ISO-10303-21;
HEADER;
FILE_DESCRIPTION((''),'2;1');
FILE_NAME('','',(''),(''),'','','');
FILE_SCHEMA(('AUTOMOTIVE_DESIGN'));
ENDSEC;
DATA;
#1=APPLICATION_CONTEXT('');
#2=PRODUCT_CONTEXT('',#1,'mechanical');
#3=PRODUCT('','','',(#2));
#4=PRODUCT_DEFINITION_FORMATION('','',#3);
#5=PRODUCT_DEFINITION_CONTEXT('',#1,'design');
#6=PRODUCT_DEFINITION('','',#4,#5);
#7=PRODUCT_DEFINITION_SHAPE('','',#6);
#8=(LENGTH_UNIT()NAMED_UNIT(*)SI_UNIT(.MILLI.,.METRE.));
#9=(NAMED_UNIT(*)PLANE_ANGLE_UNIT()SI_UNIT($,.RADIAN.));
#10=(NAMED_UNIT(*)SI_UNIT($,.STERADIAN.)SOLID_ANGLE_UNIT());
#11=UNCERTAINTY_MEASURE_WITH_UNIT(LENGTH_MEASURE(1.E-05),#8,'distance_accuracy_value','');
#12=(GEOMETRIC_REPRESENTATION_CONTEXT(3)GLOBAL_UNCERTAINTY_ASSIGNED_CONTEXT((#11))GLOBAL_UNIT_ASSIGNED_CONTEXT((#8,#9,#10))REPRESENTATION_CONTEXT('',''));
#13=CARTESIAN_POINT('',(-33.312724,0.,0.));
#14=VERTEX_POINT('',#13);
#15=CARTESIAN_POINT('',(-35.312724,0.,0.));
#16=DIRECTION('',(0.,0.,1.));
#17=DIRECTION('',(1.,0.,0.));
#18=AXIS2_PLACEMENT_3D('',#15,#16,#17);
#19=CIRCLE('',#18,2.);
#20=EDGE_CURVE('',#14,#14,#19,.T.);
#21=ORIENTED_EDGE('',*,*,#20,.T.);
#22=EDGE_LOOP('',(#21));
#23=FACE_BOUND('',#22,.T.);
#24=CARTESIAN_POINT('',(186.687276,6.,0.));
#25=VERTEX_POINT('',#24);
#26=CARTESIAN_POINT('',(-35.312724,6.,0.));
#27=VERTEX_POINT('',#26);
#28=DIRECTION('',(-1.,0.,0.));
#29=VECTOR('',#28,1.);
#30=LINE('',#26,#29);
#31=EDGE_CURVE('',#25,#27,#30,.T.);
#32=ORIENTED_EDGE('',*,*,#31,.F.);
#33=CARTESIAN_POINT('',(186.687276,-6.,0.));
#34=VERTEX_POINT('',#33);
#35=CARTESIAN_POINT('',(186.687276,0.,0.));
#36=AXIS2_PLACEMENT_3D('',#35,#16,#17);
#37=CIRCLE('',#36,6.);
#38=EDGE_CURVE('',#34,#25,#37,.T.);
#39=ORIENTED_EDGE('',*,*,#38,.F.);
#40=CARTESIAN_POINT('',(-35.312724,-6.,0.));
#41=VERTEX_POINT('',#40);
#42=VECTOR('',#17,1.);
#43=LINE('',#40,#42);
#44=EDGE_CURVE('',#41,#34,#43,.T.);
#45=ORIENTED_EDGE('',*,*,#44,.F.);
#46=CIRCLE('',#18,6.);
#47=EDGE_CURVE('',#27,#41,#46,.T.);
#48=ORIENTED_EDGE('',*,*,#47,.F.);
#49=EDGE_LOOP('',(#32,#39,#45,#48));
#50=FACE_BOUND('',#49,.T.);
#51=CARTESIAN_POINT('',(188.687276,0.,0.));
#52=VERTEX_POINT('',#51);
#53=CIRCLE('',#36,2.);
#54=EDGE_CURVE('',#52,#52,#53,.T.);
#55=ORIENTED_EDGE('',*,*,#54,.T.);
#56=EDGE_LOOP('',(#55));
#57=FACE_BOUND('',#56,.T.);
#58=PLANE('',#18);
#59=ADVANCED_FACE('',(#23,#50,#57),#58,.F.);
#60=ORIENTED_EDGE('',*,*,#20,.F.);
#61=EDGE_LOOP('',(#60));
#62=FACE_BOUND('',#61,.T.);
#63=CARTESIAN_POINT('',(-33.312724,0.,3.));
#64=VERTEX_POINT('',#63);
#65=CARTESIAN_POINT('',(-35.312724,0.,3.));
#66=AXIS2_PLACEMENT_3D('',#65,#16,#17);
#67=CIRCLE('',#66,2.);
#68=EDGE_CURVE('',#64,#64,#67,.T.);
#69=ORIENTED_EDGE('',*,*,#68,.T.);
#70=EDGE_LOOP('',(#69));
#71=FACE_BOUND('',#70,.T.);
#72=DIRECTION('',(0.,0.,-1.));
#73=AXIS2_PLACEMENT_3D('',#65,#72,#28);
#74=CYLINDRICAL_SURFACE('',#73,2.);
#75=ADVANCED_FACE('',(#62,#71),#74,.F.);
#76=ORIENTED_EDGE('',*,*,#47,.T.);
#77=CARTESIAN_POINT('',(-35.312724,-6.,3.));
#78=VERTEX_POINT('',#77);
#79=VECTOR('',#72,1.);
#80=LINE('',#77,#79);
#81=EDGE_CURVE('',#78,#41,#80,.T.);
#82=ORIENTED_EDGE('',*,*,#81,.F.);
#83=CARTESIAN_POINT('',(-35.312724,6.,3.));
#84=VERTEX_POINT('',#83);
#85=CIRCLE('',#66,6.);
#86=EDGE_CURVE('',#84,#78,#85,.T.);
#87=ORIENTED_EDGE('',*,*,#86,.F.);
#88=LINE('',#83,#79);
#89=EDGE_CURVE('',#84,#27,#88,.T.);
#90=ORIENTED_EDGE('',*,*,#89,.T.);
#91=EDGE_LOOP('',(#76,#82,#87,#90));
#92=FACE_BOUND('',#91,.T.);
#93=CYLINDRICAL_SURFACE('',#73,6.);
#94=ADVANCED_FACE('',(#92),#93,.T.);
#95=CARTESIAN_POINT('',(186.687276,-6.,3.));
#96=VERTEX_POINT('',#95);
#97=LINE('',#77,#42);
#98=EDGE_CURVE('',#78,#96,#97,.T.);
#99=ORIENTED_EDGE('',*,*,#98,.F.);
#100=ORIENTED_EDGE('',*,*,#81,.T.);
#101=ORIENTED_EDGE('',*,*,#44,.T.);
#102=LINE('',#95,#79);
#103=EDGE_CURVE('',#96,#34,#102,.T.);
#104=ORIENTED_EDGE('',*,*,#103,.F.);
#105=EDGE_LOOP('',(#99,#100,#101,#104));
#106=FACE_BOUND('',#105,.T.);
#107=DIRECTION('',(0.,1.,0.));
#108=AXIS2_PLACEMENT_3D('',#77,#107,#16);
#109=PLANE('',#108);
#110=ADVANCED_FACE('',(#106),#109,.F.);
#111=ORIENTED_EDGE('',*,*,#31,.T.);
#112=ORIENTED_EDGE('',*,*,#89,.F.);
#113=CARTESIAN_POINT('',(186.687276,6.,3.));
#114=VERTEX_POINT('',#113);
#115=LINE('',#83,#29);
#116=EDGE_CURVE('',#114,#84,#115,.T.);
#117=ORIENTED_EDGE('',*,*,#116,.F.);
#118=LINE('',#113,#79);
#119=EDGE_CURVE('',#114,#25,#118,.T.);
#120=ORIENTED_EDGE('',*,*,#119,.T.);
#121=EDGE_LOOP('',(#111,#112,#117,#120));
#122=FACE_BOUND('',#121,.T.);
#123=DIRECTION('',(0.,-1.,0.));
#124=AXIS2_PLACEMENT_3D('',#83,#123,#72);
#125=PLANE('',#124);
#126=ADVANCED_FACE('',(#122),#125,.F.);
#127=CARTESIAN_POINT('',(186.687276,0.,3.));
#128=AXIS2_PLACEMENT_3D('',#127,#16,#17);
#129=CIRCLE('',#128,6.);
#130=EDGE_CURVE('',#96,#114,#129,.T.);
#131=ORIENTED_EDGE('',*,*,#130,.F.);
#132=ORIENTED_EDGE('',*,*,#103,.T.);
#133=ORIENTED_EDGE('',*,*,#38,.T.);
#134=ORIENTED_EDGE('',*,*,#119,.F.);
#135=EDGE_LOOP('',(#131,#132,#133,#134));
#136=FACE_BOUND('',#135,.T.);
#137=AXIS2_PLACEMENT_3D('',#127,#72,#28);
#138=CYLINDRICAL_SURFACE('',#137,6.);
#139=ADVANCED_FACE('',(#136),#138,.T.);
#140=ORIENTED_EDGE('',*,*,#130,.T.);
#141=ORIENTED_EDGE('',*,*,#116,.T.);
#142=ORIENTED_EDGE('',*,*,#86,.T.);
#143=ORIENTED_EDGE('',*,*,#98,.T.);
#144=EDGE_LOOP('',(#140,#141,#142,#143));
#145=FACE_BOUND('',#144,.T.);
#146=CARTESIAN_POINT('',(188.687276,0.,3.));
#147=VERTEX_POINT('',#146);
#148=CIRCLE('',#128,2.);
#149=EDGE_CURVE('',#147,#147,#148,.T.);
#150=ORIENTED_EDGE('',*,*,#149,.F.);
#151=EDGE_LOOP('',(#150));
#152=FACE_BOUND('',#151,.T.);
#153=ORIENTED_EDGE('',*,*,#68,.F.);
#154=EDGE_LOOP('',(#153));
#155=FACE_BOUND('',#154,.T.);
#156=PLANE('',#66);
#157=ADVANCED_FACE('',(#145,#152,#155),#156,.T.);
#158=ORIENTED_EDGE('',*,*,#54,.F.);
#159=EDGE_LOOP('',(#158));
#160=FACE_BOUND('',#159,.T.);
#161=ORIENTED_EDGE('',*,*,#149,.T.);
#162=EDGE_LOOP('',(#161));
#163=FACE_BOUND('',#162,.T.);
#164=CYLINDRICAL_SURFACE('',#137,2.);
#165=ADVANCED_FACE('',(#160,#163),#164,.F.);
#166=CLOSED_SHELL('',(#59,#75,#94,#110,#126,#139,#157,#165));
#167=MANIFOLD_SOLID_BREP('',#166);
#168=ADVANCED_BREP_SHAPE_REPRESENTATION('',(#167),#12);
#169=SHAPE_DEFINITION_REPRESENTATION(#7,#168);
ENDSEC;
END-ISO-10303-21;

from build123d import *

# Parameters (mm, degrees)
SKETCH1_R           = 2
BOSS_EXTRUDE3_DEPTH = 3


with BuildPart() as part:
    # Sketch1 → Boss-Extrude3 (new body)
    with BuildSketch(Plane.XY):
        with BuildLine():
            Line((-35.312724167, 6), (186.687275833, 6))
            ThreePointArc((186.687275833, 6), (192.687275833, 0), (186.687275833, -6))
            Line((186.687275833, -6), (-35.312724167, -6))
            ThreePointArc((-35.312724167, -6), (-41.312724167, 0), (-35.312724167, 6))
        make_face()
        with Locations((-35.312724167, 0)):
            Circle(SKETCH1_R, mode=Mode.SUBTRACT)
        with Locations((186.687275833, 0)):
            Circle(SKETCH1_R, mode=Mode.SUBTRACT)
    extrude(amount=BOSS_EXTRUDE3_DEPTH)


solid = part.part
